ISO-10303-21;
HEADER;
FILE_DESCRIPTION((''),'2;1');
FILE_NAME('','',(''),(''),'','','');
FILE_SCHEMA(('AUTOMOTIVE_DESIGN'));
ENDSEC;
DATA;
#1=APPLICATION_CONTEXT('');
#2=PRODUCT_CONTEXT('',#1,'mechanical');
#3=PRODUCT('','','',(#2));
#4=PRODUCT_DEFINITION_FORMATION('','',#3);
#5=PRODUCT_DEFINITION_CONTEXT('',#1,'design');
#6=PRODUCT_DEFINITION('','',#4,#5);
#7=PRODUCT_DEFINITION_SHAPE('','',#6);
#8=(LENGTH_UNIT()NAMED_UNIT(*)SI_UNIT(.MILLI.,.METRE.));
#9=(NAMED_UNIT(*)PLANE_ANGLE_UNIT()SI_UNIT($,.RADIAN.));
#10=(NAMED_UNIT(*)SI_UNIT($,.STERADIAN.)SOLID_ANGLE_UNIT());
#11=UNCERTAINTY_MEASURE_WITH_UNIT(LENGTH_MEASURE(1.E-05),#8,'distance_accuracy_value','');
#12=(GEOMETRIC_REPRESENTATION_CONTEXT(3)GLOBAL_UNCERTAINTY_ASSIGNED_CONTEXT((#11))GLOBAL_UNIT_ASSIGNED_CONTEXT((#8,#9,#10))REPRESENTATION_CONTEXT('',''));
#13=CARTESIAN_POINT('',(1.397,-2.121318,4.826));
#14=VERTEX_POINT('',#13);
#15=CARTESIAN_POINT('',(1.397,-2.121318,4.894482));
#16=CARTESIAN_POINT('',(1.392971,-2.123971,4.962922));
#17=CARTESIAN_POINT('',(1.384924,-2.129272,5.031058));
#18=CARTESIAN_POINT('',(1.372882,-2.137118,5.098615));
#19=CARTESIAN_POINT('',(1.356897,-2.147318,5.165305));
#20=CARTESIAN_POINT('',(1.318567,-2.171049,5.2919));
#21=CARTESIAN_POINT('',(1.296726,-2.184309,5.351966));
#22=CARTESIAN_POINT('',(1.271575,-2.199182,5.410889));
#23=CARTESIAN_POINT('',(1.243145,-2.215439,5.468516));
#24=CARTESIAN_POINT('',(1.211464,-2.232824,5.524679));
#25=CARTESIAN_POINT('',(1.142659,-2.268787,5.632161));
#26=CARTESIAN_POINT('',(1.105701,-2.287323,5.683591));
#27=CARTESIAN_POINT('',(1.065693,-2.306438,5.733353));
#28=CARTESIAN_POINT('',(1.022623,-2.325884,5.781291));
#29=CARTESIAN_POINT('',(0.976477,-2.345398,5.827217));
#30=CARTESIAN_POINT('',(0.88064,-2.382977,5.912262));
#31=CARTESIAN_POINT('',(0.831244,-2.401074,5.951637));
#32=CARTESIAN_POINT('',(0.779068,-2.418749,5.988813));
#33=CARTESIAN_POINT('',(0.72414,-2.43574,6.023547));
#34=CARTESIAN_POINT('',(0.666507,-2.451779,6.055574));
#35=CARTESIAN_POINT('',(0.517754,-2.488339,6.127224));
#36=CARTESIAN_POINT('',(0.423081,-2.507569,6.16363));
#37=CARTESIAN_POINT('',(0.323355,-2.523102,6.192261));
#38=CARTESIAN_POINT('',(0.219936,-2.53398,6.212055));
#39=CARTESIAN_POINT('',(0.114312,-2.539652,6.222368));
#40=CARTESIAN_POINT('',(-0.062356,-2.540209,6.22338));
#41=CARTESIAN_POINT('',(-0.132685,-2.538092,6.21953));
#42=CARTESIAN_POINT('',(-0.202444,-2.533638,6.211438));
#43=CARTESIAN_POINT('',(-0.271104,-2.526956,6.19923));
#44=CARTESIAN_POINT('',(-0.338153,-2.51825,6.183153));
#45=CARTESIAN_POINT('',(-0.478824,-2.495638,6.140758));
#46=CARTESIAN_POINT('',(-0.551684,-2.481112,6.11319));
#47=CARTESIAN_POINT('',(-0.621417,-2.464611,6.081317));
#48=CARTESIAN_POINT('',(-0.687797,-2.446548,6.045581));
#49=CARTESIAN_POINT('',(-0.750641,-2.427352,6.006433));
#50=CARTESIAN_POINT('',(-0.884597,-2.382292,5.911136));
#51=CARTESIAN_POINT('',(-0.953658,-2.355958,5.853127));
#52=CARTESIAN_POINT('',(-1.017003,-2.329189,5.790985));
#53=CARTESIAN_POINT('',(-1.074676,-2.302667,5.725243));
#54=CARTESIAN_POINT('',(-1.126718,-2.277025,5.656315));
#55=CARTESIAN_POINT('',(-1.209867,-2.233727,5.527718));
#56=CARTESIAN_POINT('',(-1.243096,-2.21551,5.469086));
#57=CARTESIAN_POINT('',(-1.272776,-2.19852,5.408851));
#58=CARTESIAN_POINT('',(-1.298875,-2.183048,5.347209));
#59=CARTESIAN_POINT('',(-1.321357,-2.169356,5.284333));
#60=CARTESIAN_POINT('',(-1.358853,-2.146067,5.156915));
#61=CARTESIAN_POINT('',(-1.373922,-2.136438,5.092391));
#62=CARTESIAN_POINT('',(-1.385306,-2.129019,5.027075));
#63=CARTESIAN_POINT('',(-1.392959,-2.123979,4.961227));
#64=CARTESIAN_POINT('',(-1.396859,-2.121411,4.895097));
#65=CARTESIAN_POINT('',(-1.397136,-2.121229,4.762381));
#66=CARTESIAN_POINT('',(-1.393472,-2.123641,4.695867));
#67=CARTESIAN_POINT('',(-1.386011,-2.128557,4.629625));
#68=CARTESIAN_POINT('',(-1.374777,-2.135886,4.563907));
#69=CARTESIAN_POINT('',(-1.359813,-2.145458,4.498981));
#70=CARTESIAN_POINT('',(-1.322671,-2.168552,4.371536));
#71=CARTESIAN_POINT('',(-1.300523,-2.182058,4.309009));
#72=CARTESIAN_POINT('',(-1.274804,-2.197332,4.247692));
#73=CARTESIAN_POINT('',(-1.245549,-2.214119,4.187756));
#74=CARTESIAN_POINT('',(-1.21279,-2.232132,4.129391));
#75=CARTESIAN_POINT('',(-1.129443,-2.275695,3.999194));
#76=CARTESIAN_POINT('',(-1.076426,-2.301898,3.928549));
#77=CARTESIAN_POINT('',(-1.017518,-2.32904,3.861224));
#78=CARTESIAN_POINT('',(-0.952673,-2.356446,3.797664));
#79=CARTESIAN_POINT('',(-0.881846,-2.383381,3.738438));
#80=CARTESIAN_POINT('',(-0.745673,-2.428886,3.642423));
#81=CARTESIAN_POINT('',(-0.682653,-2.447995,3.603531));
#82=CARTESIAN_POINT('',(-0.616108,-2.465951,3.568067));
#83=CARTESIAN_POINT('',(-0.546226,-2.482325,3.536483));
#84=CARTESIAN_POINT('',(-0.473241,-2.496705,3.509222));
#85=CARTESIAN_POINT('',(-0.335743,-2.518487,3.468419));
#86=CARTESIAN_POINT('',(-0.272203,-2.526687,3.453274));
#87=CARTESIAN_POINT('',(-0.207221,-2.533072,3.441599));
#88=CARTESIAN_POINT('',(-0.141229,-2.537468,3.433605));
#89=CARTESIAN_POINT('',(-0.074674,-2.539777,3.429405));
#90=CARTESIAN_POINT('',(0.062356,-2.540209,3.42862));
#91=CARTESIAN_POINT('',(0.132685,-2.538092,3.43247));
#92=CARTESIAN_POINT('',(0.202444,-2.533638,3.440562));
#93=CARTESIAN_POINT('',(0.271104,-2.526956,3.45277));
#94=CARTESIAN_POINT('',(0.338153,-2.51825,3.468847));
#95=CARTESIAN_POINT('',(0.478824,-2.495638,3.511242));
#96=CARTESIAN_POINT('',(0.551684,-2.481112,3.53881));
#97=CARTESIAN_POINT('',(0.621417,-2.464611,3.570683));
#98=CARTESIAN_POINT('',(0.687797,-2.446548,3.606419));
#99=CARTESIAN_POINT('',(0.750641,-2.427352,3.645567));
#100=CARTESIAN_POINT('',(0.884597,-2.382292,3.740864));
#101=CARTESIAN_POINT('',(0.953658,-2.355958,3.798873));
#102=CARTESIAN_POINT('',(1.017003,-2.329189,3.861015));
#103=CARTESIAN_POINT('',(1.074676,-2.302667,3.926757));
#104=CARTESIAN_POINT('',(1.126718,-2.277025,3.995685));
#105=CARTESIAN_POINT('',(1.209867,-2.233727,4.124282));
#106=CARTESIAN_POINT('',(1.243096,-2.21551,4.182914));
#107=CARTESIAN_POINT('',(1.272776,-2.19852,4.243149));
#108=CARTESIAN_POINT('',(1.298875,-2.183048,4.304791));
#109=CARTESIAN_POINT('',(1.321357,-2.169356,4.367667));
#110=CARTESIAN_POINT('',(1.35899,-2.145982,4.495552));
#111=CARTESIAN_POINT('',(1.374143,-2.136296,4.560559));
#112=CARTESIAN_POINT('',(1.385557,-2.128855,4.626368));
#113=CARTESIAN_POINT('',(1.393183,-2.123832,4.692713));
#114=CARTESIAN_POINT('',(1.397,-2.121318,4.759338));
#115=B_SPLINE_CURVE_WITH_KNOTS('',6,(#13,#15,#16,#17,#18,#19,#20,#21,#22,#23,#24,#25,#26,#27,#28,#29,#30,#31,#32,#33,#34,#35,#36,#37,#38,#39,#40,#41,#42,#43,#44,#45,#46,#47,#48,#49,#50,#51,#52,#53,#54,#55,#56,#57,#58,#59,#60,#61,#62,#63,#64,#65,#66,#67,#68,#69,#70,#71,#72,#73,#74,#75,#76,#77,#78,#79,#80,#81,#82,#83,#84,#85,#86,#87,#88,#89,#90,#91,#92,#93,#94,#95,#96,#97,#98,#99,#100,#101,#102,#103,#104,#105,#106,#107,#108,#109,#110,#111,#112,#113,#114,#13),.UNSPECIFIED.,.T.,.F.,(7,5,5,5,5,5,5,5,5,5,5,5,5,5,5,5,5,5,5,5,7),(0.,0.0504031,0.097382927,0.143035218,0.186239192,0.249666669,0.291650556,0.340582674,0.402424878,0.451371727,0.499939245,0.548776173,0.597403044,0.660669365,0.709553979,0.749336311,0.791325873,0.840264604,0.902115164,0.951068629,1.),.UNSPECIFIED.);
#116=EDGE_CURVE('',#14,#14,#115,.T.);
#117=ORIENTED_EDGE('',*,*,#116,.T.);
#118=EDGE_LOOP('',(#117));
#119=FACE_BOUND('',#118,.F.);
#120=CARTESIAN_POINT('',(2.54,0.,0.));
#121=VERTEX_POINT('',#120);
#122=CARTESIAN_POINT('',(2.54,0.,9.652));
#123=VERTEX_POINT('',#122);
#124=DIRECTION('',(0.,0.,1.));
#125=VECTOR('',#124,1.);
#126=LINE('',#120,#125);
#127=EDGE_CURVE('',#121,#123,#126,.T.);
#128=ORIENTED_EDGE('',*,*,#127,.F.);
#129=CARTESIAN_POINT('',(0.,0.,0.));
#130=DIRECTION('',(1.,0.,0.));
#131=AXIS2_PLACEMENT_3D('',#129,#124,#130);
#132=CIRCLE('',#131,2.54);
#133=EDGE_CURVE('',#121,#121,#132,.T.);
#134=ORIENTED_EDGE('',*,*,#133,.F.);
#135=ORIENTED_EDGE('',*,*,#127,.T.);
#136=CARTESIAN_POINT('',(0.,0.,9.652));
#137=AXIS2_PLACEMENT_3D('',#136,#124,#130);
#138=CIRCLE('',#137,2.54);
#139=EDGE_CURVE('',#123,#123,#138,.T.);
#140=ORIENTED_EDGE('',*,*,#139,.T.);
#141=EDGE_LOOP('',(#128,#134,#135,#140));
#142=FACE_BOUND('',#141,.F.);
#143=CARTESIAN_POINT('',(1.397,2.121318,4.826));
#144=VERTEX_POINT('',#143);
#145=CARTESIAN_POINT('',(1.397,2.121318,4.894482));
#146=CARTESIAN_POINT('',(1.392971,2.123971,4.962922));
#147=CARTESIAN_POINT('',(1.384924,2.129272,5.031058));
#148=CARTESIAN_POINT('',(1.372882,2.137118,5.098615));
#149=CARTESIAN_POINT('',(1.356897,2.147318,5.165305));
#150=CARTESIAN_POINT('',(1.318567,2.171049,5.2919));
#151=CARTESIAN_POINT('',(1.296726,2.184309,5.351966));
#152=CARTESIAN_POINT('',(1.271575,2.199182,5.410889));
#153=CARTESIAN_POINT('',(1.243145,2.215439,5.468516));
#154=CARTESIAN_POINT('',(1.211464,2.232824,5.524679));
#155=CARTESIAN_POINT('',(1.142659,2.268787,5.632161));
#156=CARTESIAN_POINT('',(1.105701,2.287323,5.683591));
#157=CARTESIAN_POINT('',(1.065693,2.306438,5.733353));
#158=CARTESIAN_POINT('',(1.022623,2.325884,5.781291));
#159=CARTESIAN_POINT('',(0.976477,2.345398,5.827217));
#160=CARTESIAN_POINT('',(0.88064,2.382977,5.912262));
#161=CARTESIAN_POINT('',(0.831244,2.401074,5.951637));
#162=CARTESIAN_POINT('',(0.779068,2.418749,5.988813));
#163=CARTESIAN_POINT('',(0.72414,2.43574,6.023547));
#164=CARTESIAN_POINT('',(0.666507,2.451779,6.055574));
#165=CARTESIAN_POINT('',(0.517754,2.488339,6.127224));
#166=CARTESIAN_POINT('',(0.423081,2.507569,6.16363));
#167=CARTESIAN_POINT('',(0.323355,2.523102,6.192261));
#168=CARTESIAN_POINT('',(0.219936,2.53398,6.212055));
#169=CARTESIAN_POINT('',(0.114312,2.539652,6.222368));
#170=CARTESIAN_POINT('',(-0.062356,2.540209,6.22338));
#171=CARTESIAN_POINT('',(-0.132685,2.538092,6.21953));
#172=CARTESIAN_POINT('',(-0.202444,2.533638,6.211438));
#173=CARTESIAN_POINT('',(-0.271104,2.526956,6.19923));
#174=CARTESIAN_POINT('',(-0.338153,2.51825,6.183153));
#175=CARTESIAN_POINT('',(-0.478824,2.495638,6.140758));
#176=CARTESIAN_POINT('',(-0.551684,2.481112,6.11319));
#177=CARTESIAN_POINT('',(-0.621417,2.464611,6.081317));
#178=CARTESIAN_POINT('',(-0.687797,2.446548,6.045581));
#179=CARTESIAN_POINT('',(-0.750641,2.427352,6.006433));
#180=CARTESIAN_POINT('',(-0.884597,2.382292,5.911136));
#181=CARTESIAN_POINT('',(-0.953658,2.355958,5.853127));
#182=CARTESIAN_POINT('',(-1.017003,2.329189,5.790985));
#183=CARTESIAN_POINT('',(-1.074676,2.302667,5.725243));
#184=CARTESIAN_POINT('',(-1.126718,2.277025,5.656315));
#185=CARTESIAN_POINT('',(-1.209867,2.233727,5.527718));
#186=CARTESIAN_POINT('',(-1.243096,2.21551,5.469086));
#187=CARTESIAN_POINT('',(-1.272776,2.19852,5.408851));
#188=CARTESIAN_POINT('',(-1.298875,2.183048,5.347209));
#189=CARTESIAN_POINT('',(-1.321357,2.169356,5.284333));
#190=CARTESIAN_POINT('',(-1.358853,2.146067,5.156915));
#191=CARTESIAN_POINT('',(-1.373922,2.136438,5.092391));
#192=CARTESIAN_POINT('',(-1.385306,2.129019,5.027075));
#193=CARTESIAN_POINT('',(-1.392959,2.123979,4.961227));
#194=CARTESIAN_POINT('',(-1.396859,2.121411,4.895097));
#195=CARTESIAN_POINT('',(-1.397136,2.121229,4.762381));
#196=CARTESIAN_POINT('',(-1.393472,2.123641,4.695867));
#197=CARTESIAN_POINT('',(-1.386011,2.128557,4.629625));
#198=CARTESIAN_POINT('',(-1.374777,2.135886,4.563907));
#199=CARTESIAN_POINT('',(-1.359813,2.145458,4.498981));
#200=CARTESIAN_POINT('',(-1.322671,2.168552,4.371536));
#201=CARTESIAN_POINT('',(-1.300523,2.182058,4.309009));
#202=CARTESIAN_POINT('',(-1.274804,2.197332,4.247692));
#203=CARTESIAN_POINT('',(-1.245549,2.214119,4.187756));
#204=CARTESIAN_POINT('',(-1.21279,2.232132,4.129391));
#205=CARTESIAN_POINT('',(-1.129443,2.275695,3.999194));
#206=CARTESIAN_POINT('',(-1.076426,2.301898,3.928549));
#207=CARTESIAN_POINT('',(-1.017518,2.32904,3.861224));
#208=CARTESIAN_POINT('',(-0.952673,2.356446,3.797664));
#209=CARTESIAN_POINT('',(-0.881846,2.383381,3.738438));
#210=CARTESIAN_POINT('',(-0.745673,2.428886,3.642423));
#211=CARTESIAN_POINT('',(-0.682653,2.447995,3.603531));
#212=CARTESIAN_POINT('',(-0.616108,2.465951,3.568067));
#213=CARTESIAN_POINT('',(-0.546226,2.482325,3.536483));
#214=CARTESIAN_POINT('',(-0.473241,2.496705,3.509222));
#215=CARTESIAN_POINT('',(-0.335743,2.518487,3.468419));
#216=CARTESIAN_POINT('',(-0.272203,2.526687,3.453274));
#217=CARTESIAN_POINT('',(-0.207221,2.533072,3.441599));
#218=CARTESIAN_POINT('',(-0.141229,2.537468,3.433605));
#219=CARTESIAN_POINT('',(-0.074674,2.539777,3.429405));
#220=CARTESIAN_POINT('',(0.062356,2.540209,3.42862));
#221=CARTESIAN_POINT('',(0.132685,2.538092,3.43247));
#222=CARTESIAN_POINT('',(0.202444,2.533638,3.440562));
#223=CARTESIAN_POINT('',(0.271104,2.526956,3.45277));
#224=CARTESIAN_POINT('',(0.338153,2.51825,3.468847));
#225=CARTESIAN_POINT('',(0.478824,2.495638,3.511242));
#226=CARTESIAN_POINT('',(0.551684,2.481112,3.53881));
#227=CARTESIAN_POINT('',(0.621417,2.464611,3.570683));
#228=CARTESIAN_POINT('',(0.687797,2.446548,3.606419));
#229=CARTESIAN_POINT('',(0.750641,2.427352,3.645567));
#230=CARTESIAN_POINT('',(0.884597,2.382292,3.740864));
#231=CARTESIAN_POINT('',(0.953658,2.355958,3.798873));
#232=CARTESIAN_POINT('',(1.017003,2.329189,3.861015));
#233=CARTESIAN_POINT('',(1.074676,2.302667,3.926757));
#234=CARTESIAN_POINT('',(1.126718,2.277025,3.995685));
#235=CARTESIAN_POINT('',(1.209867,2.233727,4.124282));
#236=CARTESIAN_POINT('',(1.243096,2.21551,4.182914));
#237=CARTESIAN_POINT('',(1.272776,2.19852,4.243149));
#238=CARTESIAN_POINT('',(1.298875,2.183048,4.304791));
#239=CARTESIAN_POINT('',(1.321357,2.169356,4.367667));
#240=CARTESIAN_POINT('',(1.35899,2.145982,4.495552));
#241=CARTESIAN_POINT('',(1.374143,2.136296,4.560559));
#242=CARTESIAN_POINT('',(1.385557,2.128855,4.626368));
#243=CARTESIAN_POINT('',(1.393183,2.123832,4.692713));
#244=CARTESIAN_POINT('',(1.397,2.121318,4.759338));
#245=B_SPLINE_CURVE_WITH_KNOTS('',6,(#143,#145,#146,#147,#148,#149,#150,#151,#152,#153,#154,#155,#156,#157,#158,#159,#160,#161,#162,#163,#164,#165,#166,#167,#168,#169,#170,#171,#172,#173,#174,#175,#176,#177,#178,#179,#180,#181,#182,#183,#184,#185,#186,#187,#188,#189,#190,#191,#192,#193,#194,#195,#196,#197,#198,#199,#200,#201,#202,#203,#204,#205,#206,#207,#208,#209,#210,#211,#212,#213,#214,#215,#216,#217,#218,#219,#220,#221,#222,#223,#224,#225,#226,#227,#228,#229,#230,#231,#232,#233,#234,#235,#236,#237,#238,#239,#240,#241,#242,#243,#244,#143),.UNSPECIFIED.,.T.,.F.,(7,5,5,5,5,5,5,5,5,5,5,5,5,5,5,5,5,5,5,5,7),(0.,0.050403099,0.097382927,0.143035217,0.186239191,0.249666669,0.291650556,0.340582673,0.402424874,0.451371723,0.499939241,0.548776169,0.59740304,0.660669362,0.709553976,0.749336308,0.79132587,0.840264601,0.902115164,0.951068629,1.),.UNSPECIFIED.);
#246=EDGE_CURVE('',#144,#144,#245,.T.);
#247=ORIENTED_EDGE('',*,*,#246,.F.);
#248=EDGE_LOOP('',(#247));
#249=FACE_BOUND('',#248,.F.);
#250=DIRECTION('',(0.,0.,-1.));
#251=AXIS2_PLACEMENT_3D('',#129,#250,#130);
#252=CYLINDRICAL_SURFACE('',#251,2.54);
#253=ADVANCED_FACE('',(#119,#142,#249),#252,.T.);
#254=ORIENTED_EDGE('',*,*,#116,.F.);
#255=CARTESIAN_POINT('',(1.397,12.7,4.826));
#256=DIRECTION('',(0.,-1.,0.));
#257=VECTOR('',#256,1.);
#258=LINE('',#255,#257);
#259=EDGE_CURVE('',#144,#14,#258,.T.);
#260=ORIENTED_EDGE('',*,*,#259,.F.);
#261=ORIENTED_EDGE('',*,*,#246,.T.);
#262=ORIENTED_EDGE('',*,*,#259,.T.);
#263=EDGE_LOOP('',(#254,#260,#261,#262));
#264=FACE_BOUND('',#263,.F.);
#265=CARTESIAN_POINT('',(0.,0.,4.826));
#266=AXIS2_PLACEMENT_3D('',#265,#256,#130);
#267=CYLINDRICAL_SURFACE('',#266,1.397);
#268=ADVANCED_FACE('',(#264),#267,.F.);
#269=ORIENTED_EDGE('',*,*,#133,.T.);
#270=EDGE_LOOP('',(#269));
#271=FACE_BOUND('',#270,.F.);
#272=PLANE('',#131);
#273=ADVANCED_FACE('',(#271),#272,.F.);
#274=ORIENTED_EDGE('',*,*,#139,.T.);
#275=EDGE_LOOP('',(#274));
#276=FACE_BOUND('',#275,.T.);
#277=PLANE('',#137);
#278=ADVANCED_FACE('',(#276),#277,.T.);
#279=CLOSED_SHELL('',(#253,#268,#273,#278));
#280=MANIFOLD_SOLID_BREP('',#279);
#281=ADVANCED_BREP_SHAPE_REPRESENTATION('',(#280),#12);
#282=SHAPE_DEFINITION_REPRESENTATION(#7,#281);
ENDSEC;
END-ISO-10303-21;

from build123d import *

# Parameters (mm, degrees)
F0_R     = 2.54
F1_DEPTH = 9.652
F2_R     = 1.397
F3_DEPTH = 12.7


with BuildPart() as f1:
    # F0 (on Top) → F1 (new body)
    with BuildSketch(Plane.XY):
        Circle(F0_R)
    extrude(amount=F1_DEPTH)

    # F2 (on Front) → F3 (cut, symmetric)
    with BuildSketch(Plane.XZ):
        with Locations((0, 4.826)):
            Circle(F2_R)
    extrude(amount=F3_DEPTH, both=True, mode=Mode.SUBTRACT)


solid = f1.part
